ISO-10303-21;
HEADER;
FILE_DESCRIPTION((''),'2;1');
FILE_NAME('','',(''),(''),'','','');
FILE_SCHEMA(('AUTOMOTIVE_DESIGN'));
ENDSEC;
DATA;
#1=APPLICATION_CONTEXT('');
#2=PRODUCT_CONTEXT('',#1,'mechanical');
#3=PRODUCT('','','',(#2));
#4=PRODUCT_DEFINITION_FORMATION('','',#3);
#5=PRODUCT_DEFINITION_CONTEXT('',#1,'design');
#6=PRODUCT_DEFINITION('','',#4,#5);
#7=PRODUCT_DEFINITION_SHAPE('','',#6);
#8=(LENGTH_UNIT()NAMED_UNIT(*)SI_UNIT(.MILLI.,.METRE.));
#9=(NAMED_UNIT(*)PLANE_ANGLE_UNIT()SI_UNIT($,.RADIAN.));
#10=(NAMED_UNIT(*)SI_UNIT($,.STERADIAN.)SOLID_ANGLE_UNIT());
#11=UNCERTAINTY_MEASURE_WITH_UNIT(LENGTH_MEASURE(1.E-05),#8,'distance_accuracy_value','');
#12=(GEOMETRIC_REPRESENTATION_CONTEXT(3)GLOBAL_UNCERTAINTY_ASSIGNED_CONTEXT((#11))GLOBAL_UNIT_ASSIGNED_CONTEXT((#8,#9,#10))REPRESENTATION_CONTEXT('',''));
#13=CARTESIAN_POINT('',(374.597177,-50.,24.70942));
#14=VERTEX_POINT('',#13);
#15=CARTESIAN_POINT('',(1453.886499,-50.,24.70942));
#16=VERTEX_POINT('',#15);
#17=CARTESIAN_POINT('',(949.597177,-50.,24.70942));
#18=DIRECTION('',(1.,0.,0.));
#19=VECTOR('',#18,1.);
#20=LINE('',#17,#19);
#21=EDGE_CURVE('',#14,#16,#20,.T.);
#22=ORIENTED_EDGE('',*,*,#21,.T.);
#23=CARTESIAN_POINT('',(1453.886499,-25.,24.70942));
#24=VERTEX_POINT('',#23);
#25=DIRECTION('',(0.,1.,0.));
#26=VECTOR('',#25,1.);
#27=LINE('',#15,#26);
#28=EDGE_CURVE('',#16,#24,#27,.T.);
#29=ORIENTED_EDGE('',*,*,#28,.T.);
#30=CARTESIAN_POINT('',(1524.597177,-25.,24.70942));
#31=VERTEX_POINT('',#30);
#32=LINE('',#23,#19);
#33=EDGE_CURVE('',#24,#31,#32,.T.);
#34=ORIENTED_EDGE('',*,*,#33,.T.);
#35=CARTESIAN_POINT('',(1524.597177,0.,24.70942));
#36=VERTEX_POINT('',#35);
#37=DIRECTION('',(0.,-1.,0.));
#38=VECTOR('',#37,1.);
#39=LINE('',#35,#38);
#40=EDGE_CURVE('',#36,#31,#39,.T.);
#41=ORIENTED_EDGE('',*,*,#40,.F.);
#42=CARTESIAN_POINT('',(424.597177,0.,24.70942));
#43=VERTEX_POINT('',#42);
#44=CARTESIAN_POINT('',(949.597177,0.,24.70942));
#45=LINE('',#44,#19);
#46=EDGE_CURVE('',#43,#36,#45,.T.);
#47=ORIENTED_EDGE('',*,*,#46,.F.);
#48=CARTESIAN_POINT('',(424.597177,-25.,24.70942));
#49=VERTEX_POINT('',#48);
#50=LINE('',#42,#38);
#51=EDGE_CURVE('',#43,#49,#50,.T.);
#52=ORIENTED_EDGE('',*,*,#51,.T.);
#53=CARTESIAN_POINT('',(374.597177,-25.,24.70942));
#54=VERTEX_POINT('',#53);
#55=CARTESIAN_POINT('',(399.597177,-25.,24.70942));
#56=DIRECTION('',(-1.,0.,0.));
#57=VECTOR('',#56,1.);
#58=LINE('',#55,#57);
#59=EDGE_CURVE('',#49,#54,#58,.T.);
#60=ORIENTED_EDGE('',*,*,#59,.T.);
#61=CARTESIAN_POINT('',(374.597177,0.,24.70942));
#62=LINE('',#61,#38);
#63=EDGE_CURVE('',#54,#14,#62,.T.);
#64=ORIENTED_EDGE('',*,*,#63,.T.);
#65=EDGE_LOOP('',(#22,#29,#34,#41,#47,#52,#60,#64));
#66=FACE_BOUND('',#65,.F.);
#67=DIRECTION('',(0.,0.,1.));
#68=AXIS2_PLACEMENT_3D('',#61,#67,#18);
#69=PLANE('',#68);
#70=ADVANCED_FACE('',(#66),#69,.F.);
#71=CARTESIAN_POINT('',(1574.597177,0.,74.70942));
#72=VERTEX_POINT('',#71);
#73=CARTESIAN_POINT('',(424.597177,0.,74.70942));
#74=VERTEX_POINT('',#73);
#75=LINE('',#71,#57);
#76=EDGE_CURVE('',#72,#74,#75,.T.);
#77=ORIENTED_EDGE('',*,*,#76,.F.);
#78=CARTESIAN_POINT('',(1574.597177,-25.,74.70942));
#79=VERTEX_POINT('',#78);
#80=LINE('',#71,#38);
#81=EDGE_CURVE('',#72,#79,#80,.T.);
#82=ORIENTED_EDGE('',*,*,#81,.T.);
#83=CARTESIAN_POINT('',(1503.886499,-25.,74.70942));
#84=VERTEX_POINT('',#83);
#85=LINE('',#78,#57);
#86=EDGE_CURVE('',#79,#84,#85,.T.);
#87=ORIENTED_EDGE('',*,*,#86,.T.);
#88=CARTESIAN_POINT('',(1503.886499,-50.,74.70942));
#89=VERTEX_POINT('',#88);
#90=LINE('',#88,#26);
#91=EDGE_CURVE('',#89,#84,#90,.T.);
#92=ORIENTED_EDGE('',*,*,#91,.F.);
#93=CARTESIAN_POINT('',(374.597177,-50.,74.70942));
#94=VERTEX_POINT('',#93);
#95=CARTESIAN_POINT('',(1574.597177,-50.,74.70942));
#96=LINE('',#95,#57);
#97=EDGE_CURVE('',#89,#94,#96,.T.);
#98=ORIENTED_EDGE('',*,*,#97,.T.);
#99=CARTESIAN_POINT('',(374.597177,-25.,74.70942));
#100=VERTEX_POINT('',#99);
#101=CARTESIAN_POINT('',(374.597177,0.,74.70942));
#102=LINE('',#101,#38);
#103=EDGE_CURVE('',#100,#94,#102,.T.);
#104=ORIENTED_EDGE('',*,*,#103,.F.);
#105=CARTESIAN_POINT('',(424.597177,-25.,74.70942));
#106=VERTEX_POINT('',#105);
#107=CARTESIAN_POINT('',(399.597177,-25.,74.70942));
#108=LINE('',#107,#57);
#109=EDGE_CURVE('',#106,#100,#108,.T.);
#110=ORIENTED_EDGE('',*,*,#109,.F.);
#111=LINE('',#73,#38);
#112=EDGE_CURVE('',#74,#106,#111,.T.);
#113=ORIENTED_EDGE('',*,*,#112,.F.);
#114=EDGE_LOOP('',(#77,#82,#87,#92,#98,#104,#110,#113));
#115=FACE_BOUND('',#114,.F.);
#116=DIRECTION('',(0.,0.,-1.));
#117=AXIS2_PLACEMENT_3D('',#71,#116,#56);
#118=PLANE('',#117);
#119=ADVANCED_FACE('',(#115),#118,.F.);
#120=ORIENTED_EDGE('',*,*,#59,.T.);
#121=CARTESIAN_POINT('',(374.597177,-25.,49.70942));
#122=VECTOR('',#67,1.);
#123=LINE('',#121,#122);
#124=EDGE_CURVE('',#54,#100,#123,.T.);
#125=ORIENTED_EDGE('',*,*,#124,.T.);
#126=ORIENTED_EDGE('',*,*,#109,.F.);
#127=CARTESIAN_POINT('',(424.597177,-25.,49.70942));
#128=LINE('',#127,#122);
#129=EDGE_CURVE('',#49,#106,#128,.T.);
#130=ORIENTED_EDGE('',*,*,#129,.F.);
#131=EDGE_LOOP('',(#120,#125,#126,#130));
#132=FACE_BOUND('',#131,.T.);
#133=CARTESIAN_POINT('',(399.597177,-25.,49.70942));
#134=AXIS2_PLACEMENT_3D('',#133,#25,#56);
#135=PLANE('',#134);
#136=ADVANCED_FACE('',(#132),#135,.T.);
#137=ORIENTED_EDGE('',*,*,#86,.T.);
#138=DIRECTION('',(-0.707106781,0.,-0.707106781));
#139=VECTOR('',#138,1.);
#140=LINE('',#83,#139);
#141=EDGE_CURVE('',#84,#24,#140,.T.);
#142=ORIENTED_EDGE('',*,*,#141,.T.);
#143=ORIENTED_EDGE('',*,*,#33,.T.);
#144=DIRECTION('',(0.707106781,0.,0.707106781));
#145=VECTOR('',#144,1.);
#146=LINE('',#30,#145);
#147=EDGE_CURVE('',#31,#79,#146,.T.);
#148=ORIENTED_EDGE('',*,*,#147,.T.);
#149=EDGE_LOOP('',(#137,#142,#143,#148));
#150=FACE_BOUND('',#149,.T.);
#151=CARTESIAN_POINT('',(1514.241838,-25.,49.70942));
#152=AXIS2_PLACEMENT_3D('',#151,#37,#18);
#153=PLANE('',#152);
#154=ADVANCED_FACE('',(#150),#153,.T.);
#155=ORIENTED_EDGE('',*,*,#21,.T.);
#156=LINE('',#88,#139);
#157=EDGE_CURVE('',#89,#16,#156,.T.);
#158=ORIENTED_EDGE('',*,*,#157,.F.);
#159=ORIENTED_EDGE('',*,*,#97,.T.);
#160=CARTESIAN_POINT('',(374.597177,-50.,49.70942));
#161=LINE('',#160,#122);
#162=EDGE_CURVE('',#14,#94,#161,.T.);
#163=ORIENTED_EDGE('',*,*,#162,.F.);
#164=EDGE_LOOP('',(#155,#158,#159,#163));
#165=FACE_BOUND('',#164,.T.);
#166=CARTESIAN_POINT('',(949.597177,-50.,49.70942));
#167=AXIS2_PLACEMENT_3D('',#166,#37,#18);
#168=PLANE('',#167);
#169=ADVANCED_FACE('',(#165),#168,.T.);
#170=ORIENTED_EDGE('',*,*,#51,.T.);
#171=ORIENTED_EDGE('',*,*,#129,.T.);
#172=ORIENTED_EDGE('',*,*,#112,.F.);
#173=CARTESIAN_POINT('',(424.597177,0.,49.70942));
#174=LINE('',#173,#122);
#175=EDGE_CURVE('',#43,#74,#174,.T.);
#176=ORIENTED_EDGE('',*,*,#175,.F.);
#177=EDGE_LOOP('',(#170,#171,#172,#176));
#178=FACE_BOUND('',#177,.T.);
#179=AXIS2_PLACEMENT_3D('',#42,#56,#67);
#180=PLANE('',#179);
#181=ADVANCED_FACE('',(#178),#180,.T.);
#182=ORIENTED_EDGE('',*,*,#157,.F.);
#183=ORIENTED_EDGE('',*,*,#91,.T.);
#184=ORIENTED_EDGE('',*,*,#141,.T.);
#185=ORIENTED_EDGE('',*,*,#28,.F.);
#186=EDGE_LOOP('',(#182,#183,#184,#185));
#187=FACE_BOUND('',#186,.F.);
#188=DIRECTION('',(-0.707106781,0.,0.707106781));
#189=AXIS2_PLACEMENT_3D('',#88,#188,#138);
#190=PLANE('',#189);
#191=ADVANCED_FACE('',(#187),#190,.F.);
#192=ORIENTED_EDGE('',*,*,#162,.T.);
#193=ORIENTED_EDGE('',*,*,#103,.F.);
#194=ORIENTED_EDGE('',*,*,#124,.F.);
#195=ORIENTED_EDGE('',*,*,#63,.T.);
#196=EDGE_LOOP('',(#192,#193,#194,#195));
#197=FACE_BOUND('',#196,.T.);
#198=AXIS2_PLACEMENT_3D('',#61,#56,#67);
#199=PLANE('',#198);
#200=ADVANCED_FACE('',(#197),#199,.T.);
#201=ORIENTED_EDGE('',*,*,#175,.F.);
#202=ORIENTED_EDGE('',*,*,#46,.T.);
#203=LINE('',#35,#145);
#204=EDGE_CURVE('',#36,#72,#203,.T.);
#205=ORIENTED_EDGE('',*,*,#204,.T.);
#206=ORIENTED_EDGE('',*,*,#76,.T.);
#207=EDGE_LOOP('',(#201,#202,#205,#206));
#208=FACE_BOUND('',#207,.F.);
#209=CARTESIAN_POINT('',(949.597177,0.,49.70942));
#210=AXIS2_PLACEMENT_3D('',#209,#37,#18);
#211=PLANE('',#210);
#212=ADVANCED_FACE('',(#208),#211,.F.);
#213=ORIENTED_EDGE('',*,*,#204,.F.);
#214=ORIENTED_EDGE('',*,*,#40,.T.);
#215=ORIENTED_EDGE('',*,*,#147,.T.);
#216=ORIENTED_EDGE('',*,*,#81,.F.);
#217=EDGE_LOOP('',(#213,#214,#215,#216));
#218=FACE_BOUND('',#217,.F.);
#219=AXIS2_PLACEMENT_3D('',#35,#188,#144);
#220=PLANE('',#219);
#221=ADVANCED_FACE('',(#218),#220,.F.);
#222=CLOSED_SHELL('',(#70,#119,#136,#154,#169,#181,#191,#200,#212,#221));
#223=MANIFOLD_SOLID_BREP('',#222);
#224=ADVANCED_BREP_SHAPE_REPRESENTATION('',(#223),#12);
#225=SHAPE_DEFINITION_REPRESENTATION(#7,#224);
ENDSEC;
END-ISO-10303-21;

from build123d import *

# Parameters (mm, degrees)
F0_W     = 1150
F0_H     = 50
F1_DEPTH = 50
F3_DEPTH = 25
F4_W     = 50
F4_H     = 50
F5_DEPTH = 25
F6_DEPTH = 25


with BuildPart() as f1:
    # F0 (on Front) → F1 (new body)
    with BuildSketch(Plane.XZ):
        with Locations((949.597177, 49.70942)):
            Rectangle(F0_W, F0_H)
        Polygon((1524.597177, 74.70942), (1524.597177, 24.70942), (1574.597177, 74.70942), align=None)
    extrude(amount=F1_DEPTH)

    # F2 (on face) → F3 (cut)
    with BuildSketch(Plane.XZ.offset(50)):
        Polygon((1524.597177, 24.70942), (1574.597177, 74.70942), (1503.886499, 74.70942), (1453.886499, 24.70942), align=None)
    extrude(amount=-F3_DEPTH, mode=Mode.SUBTRACT)

    # F4 (on face) → F5 (cut)
    with BuildSketch(Plane(origin=(0, 0, 0), x_dir=(-1, 0, 0), z_dir=(0, 1, 0))):
        with Locations((-399.597177, 49.70942)):
            Rectangle(F4_W, F4_H)
    extrude(amount=-F5_DEPTH, mode=Mode.SUBTRACT)

    # F2 (on face) → F6 (cut)
    with BuildSketch(Plane.XZ.offset(50)):
        Polygon((1524.597177, 24.70942), (1574.597177, 74.70942), (1503.886499, 74.70942), (1453.886499, 24.70942), align=None)
    extrude(amount=-F6_DEPTH, mode=Mode.SUBTRACT)


solid = f1.part
